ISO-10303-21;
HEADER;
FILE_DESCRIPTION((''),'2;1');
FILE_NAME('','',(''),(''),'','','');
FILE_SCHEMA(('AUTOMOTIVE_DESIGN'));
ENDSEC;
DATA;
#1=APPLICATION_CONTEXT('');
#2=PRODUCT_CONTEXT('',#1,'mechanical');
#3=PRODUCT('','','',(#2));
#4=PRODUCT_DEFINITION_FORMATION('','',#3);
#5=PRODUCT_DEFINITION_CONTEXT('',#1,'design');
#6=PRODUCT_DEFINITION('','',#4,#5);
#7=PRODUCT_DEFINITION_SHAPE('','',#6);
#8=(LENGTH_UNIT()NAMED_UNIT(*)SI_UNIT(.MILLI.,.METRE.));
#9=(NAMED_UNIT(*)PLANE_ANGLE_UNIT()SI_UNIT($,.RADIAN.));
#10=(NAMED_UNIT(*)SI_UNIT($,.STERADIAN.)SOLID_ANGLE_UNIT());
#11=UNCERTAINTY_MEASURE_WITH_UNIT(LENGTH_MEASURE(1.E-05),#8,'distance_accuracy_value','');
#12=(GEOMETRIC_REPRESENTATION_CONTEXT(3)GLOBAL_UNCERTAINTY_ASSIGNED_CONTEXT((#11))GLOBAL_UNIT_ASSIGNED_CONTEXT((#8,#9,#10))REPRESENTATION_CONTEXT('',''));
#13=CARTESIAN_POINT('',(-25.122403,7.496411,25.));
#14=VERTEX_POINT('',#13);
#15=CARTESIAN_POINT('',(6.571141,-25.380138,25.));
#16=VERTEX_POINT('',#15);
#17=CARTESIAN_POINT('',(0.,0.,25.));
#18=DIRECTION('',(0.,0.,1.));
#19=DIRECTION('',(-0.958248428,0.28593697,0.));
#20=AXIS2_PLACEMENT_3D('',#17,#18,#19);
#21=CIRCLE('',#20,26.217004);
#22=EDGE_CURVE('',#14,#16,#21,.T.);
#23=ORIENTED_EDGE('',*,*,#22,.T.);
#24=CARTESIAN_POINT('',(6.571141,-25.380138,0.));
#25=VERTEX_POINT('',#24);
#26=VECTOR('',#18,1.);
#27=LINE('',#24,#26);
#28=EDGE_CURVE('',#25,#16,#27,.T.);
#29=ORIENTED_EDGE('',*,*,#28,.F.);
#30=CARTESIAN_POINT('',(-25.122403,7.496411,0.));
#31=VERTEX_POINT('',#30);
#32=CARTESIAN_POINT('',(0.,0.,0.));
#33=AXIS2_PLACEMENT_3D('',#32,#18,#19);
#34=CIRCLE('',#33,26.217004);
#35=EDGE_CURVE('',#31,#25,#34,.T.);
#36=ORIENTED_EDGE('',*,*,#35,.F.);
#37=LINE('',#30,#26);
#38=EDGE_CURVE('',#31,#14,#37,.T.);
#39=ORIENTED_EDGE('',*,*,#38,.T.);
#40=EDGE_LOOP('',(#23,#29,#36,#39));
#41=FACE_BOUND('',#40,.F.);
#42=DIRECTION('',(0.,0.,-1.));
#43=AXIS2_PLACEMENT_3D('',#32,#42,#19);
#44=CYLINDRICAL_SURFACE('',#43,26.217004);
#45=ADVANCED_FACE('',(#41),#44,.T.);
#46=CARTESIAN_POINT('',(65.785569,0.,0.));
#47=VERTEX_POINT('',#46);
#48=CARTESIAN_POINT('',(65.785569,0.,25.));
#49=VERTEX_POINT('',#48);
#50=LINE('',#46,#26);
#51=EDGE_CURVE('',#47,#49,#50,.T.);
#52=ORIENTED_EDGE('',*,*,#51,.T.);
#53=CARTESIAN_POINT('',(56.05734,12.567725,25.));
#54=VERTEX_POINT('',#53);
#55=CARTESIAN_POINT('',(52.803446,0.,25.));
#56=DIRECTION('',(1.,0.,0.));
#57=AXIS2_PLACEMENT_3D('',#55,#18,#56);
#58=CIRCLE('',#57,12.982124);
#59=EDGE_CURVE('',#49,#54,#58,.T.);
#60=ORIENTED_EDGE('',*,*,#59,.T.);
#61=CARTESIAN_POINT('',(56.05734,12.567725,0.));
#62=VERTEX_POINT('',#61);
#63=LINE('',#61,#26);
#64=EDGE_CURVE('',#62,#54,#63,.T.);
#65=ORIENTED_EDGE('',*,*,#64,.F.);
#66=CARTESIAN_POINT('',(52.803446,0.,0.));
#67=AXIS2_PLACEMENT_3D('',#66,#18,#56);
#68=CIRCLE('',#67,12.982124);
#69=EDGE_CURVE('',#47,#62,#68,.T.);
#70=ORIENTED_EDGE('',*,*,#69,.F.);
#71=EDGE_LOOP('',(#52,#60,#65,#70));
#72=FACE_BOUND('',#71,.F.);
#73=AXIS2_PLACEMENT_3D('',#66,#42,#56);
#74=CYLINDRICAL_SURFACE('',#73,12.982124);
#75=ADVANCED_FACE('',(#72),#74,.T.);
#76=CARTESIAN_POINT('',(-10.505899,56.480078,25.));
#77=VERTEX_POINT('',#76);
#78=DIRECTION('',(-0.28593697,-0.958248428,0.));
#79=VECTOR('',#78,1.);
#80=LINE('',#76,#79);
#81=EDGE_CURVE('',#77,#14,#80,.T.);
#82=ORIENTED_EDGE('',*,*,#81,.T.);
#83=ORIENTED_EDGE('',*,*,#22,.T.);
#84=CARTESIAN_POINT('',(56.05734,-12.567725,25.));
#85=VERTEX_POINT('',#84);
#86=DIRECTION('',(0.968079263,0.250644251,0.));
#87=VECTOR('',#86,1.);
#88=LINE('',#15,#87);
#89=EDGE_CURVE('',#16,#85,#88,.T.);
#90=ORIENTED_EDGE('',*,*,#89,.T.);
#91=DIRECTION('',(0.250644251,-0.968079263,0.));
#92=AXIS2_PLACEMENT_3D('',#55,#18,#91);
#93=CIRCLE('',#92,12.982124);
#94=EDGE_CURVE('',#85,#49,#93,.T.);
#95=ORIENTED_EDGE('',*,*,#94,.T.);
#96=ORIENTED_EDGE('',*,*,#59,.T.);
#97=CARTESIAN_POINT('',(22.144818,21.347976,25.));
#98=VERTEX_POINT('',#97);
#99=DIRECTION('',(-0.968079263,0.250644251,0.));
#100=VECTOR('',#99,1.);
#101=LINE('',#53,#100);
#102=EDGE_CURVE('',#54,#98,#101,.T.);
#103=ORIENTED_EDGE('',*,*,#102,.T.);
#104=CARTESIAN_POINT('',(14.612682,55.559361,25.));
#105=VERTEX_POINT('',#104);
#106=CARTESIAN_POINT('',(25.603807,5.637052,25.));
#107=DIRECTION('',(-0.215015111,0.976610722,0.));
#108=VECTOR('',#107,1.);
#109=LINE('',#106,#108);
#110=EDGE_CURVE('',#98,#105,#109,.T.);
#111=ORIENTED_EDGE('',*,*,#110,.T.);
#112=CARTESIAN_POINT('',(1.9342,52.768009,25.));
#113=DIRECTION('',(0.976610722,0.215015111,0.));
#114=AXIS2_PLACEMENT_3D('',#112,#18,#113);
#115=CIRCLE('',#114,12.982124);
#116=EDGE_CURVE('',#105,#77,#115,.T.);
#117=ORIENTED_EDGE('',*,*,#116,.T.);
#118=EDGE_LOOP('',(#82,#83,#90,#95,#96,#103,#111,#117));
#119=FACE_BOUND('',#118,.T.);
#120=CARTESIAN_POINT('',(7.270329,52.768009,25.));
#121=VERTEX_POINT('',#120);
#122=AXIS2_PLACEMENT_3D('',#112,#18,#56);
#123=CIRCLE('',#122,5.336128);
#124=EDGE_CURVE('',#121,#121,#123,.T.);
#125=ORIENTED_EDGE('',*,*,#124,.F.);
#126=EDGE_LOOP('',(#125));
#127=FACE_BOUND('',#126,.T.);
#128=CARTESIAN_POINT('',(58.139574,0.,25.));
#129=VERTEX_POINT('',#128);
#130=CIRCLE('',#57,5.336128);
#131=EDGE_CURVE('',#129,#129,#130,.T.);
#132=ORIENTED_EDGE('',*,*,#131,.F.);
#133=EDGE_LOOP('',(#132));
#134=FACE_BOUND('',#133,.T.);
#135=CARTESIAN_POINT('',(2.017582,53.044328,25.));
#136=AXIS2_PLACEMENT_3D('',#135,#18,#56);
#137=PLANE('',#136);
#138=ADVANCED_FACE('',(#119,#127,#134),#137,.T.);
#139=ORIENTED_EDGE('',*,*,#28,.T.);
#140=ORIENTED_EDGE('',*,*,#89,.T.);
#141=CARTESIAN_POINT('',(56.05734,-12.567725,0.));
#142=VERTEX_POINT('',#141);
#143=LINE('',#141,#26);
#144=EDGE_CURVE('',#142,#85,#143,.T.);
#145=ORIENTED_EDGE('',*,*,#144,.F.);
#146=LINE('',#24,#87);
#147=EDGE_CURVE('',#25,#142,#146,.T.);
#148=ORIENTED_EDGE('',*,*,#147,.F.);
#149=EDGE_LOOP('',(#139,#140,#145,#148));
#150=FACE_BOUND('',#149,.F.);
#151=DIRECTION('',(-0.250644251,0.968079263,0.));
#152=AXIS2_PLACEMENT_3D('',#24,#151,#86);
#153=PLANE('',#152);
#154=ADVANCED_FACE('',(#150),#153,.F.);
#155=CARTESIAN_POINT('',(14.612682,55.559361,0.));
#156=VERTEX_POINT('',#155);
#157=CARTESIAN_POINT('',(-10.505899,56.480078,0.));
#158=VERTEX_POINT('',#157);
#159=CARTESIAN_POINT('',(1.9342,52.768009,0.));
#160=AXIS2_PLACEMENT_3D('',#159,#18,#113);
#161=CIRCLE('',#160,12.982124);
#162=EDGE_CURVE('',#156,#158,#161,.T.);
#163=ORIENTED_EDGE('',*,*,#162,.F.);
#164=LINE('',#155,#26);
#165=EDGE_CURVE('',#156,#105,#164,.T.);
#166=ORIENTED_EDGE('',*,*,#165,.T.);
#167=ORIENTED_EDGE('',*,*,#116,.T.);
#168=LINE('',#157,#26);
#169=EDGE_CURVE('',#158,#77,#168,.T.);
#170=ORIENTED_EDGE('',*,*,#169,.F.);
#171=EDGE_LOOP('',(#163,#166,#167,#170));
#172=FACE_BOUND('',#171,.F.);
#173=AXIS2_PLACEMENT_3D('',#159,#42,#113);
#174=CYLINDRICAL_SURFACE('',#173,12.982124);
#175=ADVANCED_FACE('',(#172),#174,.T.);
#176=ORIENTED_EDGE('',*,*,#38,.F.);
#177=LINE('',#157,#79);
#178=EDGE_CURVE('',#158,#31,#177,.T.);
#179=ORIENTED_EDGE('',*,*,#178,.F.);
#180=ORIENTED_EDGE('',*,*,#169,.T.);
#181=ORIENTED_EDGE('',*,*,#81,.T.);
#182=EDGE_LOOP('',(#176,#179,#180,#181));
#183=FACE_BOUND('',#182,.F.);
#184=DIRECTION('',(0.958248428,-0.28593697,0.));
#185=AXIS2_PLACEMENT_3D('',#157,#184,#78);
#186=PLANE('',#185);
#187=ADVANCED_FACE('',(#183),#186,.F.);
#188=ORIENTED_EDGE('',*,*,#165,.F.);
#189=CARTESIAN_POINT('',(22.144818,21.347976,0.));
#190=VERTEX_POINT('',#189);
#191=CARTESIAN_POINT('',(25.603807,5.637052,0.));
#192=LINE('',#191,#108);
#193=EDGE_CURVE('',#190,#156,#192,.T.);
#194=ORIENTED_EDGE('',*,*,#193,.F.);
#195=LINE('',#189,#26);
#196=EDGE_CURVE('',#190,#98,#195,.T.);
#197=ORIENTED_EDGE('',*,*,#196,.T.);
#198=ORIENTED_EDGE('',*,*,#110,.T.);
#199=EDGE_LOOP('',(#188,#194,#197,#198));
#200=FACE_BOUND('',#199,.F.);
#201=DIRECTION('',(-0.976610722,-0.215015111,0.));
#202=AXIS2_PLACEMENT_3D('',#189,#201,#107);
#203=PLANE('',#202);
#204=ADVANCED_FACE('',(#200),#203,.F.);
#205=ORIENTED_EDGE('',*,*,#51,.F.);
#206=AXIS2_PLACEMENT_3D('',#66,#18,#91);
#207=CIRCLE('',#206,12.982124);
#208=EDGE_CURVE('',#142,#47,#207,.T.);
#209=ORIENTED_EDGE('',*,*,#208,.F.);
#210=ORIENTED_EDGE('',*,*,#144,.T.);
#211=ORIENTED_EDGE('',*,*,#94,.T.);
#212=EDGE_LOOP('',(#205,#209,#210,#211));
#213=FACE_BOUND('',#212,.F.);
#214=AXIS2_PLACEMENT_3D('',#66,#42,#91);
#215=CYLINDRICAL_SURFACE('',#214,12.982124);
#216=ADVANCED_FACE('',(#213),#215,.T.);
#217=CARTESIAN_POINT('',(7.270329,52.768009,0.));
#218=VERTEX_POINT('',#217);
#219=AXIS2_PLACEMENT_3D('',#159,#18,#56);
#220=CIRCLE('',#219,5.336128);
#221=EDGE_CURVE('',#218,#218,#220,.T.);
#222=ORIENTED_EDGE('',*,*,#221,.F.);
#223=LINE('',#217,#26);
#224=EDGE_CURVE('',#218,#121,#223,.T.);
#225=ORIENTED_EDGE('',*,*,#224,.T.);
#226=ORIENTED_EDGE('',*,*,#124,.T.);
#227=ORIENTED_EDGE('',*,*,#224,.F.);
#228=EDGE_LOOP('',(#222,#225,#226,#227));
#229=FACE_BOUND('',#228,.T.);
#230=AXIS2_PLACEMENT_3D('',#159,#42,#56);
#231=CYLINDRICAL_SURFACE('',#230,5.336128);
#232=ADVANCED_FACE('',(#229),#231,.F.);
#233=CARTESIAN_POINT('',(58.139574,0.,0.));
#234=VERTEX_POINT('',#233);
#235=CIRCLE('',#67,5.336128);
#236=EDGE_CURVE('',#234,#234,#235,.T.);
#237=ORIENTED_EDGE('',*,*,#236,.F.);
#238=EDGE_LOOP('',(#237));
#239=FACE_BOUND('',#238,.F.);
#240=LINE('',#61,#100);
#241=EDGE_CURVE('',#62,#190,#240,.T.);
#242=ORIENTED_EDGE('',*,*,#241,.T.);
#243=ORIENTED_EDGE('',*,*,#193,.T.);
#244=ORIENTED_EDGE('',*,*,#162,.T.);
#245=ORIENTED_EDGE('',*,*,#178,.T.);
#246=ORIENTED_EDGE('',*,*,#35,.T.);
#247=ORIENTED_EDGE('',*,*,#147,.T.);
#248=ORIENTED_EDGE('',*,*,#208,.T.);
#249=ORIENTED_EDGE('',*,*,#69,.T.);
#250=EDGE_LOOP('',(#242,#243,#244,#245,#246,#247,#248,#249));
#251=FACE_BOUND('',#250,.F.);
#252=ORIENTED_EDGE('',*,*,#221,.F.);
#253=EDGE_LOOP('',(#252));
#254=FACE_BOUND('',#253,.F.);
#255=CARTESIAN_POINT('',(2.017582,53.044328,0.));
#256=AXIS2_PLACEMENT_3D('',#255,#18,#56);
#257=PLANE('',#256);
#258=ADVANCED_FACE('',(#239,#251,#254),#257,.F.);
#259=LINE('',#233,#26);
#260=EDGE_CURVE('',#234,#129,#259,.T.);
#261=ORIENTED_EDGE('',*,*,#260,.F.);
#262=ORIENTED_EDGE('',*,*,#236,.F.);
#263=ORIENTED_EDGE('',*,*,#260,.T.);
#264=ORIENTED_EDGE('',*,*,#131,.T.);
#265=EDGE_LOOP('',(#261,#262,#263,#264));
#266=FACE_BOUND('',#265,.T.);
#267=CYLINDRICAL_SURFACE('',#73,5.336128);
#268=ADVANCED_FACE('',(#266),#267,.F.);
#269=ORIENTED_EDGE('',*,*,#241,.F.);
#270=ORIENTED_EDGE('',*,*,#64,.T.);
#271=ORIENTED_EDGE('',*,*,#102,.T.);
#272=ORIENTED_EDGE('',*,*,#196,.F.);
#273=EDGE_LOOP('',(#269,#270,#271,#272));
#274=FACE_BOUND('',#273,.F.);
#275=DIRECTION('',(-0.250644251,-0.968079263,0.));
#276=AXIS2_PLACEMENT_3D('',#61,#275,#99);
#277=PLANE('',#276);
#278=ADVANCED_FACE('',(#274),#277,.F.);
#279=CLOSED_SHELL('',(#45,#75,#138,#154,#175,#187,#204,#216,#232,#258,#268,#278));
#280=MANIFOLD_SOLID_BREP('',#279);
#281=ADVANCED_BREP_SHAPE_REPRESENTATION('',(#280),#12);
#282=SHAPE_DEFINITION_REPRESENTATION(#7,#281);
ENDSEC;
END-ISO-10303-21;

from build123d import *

# Parameters (mm, degrees)
F0_R     = 5.3361283698
F1_DEPTH = 25


with BuildPart() as f1:
    # F0 (on Top) → F1 (new body)
    with BuildSketch(Plane.XY):
        with BuildLine():
            ThreePointArc((14.9163241405, 52.7680086499), (14.8401902708, 54.171918287), (14.6126816385, 55.5593614236))
            ThreePointArc((14.6126816385, 55.5593614236), (2.4097380818, 65.741419961), (-10.5058992859, 56.4800777855))
            ThreePointArc((-10.5058992859, 56.4800777855), (0.0584840327, 39.9221055948), (14.9163241405, 52.7680086499))
        make_face()
        with Locations((1.9342003872, 52.7680086499)):
            Circle(F0_R, mode=Mode.SUBTRACT)
        with BuildLine():
            ThreePointArc((-25.1224026689, 7.4964106405), (-12.8838755219, 22.8328062201), (6.5711412686, 25.3801377218))
            Line((6.5711412686, 25.3801377218), (22.1448177539, 21.3479756675))
            Line((22.1448177539, 21.3479756675), (14.6126816385, 55.5593614236))
            ThreePointArc((14.6126816385, 55.5593614236), (14.8401902708, 54.171918287), (14.9163241405, 52.7680086499))
            ThreePointArc((14.9163241405, 52.7680086499), (0.0584840327, 39.9221055948), (-10.5058992859, 56.4800777855))
            Line((-10.5058992859, 56.4800777855), (-25.1224026689, 7.4964106405))
        make_face()
        with BuildLine():
            ThreePointArc((6.5711412686, 25.3801377218), (18.8746968967, 18.1955243235), (25.6038070106, 5.6370519701))
            Line((25.6038070106, 5.6370519701), (22.1448177539, 21.3479756675))
            Line((22.1448177539, 21.3479756675), (6.5711412686, 25.3801377218))
        make_face()
        with BuildLine():
            ThreePointArc((6.5711412686, -25.3801377218), (20.7317018594, -16.0476735499), (26.2170038019, 0))
            ThreePointArc((26.2170038019, 0), (26.0632537693, 2.8351527833), (25.6038070106, 5.6370519701))
            ThreePointArc((25.6038070106, 5.6370519701), (18.8746968967, 18.1955243235), (6.5711412686, 25.3801377218))
            ThreePointArc((6.5711412686, 25.3801377218), (-12.8838755219, 22.8328062201), (-25.1224026689, 7.4964106405))
            ThreePointArc((-25.1224026689, 7.4964106405), (-18.8746968967, -18.1955243235), (6.5711412686, -25.3801377218))
        make_face()
        with BuildLine():
            ThreePointArc((56.0573402856, 12.5677247968), (39.8213218542, 0), (56.0573402856, -12.5677247968))
            ThreePointArc((56.0573402856, -12.5677247968), (63.0693600951, -7.9464795272), (65.7855693607, 0))
            ThreePointArc((65.7855693607, 0), (63.0693600951, 7.9464795272), (56.0573402856, 12.5677247968))
        make_face()
        with Locations((52.8034456074, 0)):
            Circle(F0_R, mode=Mode.SUBTRACT)
        with BuildLine():
            ThreePointArc((25.6038070106, 5.6370519701), (26.0632537693, 2.8351527833), (26.2170038019, 0))
            ThreePointArc((26.2170038019, 0), (20.7317018594, -16.0476735499), (6.5711412686, -25.3801377218))
            Line((6.5711412686, -25.3801377218), (56.0573402856, -12.5677247968))
            ThreePointArc((56.0573402856, -12.5677247968), (39.8213218542, 0), (56.0573402856, 12.5677247968))
            Line((56.0573402856, 12.5677247968), (22.1448177539, 21.3479756675))
            Line((22.1448177539, 21.3479756675), (25.6038070106, 5.6370519701))
        make_face()
    extrude(amount=F1_DEPTH)


solid = f1.part
